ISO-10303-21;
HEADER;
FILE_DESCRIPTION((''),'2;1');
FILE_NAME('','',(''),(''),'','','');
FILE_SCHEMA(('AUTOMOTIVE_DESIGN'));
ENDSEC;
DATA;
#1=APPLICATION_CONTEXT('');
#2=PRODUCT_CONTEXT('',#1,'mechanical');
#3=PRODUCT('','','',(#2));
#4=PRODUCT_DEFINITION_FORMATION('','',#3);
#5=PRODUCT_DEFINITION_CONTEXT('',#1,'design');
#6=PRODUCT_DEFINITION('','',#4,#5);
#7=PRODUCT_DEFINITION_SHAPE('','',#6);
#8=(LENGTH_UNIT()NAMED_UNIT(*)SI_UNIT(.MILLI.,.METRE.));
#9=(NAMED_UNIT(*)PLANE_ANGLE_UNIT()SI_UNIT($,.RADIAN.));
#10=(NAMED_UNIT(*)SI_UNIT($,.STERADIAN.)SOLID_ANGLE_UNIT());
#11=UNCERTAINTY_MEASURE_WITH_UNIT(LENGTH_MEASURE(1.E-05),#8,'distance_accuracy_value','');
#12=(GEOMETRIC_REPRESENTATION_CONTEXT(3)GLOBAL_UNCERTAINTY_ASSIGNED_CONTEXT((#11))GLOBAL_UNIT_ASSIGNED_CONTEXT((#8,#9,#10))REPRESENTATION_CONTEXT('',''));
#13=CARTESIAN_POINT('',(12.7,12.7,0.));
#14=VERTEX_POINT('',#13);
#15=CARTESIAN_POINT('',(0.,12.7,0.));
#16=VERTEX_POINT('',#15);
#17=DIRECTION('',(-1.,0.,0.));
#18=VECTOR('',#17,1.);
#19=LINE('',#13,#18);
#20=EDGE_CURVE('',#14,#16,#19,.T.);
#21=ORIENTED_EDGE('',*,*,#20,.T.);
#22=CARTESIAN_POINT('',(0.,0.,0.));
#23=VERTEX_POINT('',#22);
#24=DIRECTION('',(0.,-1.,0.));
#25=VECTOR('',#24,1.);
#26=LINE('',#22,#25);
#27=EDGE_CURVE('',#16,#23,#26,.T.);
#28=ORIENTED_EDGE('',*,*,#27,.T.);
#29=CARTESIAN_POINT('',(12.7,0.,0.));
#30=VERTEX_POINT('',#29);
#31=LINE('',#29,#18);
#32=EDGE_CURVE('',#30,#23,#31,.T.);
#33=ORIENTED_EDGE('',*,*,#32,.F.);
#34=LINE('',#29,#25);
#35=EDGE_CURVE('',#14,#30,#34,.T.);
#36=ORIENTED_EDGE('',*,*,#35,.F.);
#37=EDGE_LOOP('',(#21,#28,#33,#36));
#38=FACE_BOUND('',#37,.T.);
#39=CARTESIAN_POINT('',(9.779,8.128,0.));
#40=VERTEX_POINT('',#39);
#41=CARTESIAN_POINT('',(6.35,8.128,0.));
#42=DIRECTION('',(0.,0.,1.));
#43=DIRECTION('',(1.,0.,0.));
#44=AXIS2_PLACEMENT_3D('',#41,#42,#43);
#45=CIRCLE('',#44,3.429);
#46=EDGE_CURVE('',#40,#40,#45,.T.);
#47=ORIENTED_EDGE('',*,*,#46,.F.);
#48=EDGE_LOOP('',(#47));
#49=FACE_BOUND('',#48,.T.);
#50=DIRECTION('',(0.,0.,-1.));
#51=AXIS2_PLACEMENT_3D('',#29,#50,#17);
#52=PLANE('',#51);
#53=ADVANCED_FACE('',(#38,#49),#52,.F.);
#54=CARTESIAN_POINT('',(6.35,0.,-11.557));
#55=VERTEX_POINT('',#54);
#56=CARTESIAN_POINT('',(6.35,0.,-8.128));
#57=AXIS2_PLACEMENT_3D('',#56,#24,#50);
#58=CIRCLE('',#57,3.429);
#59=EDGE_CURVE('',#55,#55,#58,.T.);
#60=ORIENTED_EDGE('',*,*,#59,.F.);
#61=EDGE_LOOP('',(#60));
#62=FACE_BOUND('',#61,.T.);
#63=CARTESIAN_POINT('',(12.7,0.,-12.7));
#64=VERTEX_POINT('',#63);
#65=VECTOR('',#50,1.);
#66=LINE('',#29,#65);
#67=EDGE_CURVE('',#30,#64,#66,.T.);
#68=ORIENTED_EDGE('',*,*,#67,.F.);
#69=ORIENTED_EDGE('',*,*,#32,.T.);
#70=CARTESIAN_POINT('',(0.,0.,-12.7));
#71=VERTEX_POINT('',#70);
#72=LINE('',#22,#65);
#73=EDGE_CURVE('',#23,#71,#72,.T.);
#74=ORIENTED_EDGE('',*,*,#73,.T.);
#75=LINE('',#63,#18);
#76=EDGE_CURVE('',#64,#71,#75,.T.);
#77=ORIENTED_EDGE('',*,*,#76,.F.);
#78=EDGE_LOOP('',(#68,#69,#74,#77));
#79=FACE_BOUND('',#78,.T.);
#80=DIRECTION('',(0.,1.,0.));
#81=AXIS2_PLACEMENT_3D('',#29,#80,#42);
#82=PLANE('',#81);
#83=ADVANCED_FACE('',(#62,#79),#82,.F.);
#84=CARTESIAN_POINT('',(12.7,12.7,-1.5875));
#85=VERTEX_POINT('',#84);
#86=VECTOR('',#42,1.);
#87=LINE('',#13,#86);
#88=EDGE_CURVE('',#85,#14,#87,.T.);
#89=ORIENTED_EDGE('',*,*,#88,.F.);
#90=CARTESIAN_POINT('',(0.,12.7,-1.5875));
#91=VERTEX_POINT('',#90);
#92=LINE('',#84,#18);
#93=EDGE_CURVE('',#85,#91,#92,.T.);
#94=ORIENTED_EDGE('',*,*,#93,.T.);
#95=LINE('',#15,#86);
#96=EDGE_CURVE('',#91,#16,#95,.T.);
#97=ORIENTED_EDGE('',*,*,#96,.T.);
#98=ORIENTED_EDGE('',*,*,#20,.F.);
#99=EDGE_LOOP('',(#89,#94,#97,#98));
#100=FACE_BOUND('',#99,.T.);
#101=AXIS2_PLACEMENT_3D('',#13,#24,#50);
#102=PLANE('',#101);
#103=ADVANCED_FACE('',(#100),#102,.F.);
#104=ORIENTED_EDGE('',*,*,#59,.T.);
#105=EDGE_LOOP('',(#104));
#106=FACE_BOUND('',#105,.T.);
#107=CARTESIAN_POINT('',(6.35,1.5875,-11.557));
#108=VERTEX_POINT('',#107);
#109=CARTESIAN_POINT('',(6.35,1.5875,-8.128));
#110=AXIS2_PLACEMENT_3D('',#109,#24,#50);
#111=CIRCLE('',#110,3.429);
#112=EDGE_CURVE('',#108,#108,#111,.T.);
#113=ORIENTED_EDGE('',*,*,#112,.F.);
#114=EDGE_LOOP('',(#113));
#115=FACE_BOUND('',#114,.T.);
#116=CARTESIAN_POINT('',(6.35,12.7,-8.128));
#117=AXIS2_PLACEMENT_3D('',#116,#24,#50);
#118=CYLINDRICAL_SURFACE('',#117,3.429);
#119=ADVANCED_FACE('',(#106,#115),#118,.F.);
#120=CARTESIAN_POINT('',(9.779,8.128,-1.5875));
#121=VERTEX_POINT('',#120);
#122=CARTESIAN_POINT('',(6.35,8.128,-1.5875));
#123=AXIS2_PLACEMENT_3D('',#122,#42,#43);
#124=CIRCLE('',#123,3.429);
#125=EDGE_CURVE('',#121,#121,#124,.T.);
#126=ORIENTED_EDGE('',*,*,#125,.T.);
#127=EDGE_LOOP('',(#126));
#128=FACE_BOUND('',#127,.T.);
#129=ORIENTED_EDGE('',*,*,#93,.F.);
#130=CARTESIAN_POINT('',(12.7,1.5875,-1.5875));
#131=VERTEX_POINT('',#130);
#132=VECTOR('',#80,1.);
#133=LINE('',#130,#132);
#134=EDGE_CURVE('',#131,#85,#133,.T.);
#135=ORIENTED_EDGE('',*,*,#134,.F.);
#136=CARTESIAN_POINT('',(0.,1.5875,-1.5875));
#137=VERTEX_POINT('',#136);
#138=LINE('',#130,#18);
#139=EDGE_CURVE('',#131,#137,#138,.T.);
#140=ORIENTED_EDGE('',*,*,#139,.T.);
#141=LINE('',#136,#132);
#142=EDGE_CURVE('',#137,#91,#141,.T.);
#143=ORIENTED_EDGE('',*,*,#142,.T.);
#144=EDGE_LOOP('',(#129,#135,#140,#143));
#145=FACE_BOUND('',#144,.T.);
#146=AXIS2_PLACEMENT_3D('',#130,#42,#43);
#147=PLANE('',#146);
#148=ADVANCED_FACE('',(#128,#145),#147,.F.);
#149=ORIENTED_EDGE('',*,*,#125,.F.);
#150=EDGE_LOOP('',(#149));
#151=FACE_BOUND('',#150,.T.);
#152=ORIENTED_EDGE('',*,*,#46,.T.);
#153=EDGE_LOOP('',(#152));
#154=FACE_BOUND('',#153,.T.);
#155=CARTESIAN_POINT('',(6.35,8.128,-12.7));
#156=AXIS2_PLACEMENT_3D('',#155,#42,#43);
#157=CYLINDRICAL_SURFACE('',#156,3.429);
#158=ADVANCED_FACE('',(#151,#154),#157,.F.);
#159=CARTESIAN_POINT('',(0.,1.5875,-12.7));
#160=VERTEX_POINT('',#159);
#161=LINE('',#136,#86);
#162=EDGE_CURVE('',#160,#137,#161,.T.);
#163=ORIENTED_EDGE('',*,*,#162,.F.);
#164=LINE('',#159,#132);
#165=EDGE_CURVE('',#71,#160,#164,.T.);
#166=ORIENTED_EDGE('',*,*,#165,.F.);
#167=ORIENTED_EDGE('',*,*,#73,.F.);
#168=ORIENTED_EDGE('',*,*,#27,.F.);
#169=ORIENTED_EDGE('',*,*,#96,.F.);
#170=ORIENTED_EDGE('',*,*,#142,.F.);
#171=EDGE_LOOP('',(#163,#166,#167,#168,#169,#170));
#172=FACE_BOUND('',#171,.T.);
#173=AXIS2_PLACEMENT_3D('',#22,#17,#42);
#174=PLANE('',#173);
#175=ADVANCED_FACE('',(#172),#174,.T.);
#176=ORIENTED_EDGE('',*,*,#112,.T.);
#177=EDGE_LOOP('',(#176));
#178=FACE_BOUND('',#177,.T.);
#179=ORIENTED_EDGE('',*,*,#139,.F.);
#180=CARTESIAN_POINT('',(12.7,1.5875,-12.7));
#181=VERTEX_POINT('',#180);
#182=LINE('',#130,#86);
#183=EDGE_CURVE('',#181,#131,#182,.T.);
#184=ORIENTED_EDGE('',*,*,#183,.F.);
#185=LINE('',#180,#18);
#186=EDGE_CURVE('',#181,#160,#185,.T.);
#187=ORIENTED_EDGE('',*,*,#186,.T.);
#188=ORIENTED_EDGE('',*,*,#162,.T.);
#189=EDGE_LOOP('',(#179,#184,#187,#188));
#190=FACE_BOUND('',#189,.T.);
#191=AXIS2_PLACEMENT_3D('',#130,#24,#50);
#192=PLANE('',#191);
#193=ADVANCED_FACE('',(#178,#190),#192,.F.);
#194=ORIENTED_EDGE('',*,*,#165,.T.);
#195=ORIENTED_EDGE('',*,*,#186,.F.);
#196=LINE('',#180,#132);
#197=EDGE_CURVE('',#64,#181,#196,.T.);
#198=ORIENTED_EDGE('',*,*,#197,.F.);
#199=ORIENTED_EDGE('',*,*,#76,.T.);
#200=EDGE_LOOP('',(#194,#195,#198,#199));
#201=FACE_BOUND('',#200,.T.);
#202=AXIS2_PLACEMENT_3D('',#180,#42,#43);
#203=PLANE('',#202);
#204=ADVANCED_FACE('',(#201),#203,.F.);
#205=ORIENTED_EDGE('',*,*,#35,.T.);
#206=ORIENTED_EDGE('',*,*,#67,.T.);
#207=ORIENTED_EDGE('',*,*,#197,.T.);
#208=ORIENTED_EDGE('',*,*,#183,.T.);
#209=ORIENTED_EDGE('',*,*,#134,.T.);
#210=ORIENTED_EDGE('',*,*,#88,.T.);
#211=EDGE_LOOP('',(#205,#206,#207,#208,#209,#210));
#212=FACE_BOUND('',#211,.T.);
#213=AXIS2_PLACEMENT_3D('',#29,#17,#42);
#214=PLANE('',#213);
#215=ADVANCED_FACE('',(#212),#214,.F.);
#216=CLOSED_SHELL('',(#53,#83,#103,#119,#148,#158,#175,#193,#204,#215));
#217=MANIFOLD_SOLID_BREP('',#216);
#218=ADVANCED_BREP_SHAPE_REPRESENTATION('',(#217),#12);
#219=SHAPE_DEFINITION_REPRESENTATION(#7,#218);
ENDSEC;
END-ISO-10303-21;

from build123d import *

# Parameters (mm, degrees)
BOSS_EXTRUDE1_DEPTH = 12.7
SKETCH2_R           = 3.429
CUT_EXTRUDE1_DEPTH  = 13.7
SKETCH3_R           = 3.429
CUT_EXTRUDE2_DEPTH  = 13.7


with BuildPart() as part:
    # Sketch1 → Boss-Extrude1 (new body)
    with BuildSketch(Plane(origin=(0, 0, 0), x_dir=(0, 0, -1), z_dir=(1, 0, 0))):
        Polygon((0, 0), (0, 12.7), (1.5875, 12.7), (1.5875, 1.5875), (12.7, 1.5875), (12.7, 0), align=None)
    extrude(amount=BOSS_EXTRUDE1_DEPTH)

    # Sketch2 → Cut-Extrude1 (cut, through all)
    with BuildSketch(Plane.XY):
        with Locations((6.35, 8.128)):
            Circle(SKETCH2_R)
    extrude(amount=-CUT_EXTRUDE1_DEPTH, mode=Mode.SUBTRACT)

    # Sketch3 → Cut-Extrude2 (cut, through all)
    with BuildSketch(Plane.XZ):
        with Locations((6.35, -8.128)):
            Circle(SKETCH3_R)
    extrude(amount=-CUT_EXTRUDE2_DEPTH, mode=Mode.SUBTRACT)


solid = part.part
